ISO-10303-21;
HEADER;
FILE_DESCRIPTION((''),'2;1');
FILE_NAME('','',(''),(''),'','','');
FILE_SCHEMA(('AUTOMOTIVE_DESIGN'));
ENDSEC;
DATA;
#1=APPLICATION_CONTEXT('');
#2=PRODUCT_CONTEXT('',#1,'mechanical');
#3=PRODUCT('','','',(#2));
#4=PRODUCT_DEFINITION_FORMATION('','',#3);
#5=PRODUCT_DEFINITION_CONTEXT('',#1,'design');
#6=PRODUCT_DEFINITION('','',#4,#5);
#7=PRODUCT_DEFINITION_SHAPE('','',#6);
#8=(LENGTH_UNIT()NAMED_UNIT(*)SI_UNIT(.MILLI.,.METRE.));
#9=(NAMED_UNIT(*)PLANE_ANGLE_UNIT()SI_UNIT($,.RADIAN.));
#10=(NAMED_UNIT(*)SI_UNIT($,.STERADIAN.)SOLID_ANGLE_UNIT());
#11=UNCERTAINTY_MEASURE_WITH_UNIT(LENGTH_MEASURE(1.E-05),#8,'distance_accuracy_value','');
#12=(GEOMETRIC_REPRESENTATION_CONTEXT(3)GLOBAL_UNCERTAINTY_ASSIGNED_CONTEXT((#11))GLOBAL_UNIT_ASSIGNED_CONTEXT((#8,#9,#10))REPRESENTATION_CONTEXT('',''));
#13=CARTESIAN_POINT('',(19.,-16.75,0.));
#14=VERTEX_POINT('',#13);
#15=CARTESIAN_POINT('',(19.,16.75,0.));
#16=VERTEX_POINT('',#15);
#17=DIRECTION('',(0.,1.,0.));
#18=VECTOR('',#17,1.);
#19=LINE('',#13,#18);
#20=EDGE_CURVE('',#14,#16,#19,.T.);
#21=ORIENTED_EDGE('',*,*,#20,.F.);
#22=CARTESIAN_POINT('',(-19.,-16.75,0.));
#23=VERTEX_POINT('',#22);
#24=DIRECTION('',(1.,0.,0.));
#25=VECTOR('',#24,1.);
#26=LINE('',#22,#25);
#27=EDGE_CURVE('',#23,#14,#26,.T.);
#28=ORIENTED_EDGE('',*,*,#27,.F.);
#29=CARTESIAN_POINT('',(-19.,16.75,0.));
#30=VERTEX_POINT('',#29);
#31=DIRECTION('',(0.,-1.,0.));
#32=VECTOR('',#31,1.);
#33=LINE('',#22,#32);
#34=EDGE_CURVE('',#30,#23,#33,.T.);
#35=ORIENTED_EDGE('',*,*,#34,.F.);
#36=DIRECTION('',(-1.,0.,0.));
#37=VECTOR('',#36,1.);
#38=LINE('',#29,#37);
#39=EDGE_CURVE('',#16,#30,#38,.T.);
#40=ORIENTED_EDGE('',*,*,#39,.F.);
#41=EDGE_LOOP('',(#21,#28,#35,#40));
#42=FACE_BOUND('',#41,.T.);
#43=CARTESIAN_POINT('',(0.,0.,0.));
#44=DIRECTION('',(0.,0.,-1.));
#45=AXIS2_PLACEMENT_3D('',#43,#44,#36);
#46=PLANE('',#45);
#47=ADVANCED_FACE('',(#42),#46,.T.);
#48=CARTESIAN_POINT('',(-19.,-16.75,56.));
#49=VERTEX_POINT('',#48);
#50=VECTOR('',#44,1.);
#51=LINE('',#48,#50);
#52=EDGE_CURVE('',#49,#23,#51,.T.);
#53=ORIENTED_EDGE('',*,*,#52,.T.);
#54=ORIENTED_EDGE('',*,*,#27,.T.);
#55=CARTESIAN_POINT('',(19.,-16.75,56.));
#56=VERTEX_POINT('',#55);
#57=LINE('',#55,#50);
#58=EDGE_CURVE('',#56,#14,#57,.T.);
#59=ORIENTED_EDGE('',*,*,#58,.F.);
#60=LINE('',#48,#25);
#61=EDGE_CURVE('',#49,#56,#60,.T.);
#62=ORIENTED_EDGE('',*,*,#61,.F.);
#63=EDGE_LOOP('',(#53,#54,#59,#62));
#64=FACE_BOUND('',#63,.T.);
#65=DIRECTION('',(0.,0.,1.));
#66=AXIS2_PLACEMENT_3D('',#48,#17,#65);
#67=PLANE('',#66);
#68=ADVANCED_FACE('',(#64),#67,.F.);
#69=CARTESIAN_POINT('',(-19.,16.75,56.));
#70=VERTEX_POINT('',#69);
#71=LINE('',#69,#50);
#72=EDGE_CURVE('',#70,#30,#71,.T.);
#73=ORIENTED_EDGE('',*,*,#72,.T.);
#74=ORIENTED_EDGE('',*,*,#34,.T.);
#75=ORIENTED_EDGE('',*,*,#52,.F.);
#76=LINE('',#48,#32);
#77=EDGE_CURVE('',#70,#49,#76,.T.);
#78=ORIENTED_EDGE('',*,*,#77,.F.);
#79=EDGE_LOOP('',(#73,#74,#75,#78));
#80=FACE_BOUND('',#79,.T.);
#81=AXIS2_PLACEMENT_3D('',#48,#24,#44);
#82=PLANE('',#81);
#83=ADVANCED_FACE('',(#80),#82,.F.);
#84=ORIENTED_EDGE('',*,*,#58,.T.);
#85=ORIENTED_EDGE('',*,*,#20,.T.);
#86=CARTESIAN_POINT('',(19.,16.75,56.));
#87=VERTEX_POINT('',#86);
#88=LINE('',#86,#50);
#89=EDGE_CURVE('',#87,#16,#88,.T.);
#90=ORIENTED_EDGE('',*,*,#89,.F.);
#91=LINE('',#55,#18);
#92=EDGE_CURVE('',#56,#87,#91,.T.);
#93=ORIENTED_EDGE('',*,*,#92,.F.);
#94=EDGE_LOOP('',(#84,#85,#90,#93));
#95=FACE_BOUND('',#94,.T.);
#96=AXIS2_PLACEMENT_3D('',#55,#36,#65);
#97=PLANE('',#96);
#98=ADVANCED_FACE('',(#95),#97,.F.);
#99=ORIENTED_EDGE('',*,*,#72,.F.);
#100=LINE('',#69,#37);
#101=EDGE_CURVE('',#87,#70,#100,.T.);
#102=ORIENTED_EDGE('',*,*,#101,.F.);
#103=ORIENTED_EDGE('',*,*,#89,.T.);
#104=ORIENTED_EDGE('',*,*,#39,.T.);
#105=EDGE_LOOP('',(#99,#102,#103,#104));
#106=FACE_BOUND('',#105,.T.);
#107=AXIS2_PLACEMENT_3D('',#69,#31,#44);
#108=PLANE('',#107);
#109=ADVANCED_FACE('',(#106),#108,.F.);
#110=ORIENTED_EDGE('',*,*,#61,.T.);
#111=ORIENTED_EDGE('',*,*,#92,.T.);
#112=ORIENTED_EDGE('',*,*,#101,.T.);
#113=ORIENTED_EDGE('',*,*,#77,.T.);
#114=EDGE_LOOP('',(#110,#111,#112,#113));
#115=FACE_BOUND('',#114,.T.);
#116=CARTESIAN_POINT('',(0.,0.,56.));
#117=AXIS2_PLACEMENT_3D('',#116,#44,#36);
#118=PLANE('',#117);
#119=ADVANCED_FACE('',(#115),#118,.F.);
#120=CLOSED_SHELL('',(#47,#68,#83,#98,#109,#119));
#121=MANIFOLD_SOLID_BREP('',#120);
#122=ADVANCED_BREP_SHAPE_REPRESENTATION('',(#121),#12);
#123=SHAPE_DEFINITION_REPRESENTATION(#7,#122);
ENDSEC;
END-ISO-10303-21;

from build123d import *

# Parameters (mm, degrees)
SKETCH1_W           = 38
SKETCH1_H           = 33.5
BOSS_EXTRUDE1_DEPTH = 56


with BuildPart() as part:
    # Sketch1 → Boss-Extrude1 (new body)
    with BuildSketch(Plane.XY):
        Rectangle(SKETCH1_W, SKETCH1_H)
    extrude(amount=BOSS_EXTRUDE1_DEPTH)


solid = part.part
